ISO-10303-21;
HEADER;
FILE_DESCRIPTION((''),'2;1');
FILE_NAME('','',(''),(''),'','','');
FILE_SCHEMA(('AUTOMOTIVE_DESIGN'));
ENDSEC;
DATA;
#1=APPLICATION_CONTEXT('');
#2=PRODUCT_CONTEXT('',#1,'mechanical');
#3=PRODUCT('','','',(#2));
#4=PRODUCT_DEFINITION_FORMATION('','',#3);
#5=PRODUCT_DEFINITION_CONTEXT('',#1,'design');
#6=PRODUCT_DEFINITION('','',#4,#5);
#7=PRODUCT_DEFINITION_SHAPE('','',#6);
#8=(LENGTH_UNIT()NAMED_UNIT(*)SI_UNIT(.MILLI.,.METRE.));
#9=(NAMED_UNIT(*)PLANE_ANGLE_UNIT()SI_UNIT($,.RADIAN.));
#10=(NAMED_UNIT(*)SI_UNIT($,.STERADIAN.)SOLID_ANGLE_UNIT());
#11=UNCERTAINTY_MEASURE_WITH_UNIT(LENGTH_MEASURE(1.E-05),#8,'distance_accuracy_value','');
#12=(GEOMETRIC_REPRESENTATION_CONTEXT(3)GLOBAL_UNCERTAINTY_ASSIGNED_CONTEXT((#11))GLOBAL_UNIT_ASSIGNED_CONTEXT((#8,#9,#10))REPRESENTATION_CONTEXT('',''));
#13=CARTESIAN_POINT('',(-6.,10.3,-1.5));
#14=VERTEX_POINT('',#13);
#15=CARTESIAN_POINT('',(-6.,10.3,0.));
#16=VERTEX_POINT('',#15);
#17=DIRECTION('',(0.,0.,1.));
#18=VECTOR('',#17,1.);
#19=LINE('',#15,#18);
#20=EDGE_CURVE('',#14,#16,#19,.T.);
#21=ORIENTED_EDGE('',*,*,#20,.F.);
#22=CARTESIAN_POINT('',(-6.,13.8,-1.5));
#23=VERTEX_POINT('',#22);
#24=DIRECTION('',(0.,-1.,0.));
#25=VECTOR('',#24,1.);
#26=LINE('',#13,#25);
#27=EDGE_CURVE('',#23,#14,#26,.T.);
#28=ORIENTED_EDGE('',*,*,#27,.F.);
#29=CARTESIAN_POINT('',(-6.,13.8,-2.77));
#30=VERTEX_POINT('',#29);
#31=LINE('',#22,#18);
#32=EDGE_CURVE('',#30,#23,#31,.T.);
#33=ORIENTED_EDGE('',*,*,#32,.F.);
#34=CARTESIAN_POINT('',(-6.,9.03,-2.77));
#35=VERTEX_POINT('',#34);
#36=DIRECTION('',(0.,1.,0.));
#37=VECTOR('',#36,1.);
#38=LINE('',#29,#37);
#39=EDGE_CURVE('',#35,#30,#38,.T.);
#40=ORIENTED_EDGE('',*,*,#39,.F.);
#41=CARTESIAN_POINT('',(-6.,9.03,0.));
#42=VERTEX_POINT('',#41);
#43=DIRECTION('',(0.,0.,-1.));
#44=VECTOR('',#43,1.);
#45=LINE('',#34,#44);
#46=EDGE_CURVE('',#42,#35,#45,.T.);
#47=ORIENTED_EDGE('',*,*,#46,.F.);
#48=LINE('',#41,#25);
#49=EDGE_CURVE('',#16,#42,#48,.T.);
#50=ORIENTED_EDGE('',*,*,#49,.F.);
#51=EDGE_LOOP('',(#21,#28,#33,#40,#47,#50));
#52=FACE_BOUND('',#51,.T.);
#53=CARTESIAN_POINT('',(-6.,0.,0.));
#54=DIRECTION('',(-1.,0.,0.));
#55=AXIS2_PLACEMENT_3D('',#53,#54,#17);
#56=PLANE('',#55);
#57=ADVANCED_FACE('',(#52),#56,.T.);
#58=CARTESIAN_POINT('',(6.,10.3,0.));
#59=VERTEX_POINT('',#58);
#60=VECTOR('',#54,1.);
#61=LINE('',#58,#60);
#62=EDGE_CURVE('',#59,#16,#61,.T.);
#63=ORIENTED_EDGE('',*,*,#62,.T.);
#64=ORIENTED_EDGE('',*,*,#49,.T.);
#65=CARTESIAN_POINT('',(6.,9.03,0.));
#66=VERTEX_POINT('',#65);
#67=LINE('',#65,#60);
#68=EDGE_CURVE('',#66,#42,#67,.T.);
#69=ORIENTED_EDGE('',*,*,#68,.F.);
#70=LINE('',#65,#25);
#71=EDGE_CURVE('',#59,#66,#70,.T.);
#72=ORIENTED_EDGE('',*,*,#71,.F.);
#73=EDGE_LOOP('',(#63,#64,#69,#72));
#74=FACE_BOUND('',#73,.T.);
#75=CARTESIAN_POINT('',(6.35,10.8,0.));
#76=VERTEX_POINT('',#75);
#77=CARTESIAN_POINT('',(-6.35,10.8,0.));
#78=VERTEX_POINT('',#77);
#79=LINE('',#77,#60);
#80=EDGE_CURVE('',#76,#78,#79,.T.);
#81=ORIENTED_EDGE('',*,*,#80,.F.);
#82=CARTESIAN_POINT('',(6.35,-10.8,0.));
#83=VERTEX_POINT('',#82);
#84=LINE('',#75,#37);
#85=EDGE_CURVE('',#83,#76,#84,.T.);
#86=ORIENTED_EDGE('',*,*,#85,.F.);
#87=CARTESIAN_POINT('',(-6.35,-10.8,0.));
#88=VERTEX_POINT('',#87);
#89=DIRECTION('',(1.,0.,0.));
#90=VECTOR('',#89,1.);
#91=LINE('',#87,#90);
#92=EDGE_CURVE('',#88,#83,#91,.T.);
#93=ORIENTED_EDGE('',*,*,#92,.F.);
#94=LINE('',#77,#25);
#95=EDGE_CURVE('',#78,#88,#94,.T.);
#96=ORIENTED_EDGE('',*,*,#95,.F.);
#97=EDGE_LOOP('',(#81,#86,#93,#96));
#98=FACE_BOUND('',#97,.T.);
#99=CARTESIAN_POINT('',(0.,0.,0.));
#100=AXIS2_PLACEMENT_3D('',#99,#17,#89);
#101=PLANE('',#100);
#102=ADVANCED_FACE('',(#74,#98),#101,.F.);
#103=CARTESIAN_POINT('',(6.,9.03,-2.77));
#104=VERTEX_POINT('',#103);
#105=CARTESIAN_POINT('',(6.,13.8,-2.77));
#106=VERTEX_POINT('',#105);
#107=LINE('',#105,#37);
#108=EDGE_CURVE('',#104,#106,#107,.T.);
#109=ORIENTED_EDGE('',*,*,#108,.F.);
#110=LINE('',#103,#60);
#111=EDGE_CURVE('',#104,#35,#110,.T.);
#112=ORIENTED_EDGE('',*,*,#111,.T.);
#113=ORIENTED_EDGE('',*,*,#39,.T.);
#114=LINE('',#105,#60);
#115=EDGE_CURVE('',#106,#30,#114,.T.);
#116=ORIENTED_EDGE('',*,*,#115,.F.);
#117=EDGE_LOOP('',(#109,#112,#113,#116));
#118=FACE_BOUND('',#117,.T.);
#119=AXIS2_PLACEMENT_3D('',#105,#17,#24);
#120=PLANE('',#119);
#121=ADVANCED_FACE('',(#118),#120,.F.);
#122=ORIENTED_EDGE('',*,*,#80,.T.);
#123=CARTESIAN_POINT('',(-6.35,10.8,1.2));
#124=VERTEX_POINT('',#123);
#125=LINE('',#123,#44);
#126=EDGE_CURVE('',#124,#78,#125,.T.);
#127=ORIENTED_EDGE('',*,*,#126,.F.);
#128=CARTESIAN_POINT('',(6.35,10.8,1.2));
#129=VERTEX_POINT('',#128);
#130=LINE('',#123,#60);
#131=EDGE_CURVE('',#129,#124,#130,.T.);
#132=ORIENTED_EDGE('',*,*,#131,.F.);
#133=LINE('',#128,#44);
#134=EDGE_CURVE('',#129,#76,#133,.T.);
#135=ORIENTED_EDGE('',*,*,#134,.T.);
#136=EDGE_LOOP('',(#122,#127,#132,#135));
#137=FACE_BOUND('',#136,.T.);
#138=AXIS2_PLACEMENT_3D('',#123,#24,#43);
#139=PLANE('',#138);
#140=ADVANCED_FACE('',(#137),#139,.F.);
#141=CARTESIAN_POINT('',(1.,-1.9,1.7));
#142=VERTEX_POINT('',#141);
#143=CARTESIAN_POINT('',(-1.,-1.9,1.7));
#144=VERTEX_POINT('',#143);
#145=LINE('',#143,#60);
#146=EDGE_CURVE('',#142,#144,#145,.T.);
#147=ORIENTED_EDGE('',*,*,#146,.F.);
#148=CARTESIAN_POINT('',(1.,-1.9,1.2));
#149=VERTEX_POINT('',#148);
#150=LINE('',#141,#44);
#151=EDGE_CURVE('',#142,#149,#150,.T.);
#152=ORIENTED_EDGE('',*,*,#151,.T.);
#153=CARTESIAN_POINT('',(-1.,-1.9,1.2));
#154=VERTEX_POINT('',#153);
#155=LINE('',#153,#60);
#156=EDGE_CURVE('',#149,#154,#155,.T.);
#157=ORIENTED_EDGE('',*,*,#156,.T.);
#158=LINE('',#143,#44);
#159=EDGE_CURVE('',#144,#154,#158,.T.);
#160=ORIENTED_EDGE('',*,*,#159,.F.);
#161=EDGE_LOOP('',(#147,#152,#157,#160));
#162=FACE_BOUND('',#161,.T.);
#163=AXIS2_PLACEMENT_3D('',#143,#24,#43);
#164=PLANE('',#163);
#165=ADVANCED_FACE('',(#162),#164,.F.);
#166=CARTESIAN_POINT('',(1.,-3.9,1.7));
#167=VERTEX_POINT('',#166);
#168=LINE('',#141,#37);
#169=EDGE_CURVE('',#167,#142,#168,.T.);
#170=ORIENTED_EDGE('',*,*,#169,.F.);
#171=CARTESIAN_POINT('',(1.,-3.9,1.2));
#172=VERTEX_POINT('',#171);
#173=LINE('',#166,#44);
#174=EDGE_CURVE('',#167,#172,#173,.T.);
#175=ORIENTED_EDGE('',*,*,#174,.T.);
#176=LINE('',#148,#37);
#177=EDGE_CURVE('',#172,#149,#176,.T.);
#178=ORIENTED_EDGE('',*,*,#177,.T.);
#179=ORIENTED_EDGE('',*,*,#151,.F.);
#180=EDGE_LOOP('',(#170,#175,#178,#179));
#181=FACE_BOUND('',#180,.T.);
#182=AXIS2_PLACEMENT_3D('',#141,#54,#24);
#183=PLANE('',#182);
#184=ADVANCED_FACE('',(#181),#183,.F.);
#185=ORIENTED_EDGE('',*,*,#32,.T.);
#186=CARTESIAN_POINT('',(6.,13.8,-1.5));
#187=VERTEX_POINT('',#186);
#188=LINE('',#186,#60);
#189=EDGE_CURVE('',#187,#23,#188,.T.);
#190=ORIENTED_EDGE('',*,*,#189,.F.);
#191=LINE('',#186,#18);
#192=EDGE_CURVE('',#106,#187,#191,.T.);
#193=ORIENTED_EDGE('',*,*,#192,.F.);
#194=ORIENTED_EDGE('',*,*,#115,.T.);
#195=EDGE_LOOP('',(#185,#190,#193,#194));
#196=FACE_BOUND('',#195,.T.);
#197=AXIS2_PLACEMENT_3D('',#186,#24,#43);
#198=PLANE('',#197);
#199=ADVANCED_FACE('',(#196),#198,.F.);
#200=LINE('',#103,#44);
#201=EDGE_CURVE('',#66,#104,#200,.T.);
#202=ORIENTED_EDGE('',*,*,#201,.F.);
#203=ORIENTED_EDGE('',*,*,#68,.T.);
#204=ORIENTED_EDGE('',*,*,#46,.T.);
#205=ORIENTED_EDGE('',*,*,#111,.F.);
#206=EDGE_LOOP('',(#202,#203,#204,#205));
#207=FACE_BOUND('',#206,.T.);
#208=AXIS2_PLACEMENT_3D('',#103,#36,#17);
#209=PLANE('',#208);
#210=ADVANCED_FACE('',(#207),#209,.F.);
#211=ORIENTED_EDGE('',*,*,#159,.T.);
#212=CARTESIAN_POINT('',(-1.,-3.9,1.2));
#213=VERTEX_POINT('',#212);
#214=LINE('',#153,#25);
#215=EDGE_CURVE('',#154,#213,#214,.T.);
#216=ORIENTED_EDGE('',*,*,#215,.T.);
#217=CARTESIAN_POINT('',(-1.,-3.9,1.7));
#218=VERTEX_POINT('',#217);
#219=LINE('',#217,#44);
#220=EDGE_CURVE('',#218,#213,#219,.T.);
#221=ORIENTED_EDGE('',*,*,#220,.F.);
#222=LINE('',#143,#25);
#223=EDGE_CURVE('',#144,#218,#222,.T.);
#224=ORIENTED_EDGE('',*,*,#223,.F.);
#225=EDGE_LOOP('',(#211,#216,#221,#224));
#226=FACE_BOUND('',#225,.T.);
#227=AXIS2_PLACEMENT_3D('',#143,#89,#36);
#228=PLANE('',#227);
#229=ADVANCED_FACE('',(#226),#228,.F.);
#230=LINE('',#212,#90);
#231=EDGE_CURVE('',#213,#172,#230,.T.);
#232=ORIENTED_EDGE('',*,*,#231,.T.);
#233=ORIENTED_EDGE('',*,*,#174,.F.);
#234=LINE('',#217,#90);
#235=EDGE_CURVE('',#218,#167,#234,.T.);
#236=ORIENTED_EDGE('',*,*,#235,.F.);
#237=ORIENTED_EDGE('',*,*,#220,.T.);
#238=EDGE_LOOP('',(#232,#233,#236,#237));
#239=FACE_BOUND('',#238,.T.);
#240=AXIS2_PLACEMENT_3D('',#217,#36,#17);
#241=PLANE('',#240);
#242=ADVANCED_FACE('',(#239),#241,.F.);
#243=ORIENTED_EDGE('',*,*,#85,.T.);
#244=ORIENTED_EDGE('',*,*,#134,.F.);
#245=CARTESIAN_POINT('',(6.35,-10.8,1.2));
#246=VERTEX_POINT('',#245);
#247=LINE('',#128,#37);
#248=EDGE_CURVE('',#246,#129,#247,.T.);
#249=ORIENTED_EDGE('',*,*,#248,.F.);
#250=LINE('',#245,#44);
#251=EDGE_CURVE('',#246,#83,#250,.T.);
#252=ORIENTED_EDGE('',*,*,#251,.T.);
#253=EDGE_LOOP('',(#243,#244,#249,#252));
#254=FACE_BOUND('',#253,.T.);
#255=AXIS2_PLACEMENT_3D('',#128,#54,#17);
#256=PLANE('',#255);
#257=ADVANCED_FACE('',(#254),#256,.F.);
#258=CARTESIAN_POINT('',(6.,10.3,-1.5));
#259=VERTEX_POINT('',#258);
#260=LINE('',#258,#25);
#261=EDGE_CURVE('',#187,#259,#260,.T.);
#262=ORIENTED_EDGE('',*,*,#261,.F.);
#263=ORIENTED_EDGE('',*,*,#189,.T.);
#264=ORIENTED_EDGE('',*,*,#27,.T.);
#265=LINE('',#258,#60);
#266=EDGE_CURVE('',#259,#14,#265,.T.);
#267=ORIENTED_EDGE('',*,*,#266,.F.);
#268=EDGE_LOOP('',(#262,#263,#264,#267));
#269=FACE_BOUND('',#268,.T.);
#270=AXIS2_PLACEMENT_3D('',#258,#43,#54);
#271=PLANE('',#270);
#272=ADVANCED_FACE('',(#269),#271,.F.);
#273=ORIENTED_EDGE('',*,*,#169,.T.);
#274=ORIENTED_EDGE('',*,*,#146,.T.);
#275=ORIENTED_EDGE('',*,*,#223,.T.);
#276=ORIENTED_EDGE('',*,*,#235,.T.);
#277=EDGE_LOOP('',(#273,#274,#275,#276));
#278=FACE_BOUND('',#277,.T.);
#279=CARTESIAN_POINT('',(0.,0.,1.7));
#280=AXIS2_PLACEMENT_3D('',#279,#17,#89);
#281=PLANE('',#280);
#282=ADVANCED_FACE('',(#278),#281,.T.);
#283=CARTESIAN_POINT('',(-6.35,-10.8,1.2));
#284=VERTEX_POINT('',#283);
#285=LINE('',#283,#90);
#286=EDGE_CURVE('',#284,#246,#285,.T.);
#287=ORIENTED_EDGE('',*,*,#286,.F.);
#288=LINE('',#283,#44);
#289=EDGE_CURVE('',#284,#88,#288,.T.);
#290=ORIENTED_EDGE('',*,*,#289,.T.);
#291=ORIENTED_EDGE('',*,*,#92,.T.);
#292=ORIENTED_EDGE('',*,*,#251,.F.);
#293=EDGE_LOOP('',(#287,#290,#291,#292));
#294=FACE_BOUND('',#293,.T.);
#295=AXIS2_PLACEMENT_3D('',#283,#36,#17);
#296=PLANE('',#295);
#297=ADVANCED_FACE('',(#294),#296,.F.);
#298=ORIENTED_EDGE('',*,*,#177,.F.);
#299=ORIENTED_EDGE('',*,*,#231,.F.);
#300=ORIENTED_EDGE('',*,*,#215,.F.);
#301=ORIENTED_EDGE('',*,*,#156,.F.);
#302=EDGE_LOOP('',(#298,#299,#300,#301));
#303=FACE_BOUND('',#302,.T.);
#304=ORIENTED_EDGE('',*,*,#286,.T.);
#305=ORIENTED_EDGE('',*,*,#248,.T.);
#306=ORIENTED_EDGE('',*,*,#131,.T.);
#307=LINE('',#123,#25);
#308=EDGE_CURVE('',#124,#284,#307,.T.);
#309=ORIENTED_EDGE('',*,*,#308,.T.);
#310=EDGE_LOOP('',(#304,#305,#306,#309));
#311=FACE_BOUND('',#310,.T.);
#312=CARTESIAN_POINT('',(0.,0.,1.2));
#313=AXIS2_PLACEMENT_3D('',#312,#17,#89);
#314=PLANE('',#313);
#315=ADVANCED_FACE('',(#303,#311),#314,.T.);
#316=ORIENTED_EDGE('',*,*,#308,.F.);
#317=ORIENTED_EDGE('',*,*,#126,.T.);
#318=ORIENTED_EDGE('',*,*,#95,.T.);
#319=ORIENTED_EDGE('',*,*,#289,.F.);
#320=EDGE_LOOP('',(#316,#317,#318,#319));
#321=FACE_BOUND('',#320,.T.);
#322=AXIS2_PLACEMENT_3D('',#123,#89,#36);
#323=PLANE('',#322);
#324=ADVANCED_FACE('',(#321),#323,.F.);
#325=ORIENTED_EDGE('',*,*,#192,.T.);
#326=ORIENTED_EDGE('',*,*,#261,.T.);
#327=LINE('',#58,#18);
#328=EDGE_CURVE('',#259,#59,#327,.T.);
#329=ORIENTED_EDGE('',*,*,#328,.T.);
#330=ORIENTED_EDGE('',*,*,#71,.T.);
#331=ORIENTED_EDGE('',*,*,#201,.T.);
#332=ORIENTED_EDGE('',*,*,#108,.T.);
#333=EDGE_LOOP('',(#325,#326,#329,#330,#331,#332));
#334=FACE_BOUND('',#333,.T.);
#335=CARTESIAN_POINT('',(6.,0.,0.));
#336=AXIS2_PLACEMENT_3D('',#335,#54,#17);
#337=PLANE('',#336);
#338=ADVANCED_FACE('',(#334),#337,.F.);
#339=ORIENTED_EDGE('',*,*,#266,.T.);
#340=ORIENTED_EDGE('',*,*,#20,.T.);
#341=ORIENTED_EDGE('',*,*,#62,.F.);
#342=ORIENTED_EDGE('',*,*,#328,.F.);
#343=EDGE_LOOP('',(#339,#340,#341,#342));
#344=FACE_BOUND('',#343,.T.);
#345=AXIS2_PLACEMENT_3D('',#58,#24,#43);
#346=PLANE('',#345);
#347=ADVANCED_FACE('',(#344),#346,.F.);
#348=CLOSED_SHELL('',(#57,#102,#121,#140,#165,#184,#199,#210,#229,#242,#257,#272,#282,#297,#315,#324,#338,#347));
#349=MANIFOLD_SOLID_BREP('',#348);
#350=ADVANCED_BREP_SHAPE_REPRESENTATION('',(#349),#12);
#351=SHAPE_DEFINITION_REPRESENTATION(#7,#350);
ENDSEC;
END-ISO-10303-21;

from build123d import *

# Parameters (mm, degrees)
ESBO_O1_W                = 12.7
ESBO_O1_H                = 21.6
RESSALTO_EXTRUS_O1_DEPTH = 1.2
ESBO_O2_W                = 2
ESBO_O2_H                = 2
RESSALTO_EXTRUS_O2_DEPTH = 0.5
RESSALTO_EXTRUS_O3_DEPTH = 6


with BuildPart() as part:
    # Esboço1 → Ressalto-extrusão1 (new body)
    with BuildSketch(Plane.XY):
        Rectangle(ESBO_O1_W, ESBO_O1_H)
    extrude(amount=RESSALTO_EXTRUS_O1_DEPTH)

    # Esboço2 → Ressalto-extrusão2 (add)
    with BuildSketch(Plane.XY.offset(1.2)):
        with Locations((0, -2.9)):
            Rectangle(ESBO_O2_W, ESBO_O2_H)
    extrude(amount=RESSALTO_EXTRUS_O2_DEPTH)

    # Esboço3 → Ressalto-extrusão3 (add, symmetric)
    with BuildSketch(Plane(origin=(0, 0, 0), x_dir=(0, 0, -1), z_dir=(1, 0, 0))):
        Polygon((0, 10.3), (1.5, 10.3), (1.5, 13.8), (2.77, 13.8), (2.77, 9.03), (0, 9.03), align=None)
    extrude(amount=RESSALTO_EXTRUS_O3_DEPTH, both=True)


solid = part.part
